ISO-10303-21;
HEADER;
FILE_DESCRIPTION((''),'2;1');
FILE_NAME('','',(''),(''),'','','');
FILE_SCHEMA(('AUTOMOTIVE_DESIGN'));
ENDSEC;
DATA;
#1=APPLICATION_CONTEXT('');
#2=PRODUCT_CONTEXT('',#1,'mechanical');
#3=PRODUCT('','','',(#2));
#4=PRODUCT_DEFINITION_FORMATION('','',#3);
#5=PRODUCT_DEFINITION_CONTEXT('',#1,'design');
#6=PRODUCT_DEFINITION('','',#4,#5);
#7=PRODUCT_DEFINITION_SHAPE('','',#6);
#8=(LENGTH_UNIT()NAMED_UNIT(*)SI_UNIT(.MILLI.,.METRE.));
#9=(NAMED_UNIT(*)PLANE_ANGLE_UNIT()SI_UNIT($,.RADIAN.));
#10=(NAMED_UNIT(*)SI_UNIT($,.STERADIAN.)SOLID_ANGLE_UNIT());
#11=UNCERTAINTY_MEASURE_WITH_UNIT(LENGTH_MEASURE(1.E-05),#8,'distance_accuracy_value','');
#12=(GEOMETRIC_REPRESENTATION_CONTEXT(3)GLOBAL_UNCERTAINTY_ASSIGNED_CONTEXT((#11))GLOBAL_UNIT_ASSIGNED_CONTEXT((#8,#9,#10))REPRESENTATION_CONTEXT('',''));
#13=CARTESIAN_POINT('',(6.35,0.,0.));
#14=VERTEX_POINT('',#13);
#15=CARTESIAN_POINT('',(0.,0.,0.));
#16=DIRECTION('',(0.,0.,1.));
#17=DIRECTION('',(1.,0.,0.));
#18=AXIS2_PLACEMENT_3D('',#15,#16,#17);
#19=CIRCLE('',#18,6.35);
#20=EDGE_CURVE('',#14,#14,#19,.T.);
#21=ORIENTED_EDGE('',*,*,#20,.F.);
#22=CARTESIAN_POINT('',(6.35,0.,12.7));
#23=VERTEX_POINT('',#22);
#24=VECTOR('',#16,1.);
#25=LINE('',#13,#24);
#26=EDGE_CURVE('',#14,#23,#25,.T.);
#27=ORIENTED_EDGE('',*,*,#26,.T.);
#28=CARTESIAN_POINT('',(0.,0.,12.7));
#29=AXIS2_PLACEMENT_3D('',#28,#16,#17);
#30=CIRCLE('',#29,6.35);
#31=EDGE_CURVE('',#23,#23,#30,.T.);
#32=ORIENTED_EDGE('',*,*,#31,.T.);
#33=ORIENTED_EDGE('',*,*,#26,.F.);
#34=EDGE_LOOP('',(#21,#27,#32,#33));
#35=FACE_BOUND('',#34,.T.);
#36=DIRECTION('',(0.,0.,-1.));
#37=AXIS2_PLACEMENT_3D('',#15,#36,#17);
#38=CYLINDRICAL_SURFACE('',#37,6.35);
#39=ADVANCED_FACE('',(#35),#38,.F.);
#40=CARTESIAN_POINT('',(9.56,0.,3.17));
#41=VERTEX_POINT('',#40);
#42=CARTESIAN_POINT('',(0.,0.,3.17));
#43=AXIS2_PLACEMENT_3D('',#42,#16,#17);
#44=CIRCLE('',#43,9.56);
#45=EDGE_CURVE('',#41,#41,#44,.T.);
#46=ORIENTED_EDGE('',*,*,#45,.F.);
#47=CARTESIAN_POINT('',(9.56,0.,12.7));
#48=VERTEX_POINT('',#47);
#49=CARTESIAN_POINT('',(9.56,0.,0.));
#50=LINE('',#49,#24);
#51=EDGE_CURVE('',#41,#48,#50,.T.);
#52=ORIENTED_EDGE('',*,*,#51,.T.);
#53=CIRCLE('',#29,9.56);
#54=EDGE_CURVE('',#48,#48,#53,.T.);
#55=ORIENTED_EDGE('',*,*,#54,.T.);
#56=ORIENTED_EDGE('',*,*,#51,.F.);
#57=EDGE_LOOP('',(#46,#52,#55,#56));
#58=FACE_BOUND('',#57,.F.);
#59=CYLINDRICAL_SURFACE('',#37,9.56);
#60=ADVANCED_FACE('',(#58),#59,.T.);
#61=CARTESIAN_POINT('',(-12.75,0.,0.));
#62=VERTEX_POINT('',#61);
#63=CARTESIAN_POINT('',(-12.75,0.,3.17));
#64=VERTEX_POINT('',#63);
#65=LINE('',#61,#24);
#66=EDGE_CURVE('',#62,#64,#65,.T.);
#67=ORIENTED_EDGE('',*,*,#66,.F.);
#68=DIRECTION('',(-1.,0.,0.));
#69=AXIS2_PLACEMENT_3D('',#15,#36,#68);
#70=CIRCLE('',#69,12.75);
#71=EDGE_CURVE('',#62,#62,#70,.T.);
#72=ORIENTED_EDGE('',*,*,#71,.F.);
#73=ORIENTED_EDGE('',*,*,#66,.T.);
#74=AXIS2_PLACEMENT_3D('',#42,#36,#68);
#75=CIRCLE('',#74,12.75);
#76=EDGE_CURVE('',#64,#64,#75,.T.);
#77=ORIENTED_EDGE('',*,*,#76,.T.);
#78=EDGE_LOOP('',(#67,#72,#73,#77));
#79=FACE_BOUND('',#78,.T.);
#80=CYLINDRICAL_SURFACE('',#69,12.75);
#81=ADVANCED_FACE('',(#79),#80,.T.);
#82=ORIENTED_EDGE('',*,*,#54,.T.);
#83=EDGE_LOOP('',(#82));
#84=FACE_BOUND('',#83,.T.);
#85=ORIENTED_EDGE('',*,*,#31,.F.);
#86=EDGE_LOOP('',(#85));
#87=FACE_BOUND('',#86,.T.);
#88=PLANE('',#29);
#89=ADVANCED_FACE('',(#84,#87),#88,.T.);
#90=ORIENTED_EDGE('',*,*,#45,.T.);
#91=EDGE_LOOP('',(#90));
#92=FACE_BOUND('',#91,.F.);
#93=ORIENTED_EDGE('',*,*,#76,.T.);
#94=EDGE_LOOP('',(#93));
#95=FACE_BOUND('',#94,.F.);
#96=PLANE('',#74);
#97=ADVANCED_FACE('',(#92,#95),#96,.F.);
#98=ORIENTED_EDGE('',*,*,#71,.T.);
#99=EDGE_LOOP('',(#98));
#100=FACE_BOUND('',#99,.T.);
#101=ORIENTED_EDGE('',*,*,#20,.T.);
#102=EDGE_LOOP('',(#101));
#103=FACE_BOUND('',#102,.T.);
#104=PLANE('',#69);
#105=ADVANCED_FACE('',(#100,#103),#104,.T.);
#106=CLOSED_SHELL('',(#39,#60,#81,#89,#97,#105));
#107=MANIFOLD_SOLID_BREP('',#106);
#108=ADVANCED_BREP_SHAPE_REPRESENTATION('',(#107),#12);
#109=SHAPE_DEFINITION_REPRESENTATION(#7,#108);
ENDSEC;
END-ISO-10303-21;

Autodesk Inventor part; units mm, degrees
ref_plane "YZ Plane" through (0, 0, 0) normal (1, 0, 0) x (0, 1, 0)
ref_plane "XZ Plane" through (0, 0, 0) normal (0, 1, 0) x (-1, 0, 0)
ref_plane "XY Plane" through (0, 0, 0) normal (0, 0, 1) x (1, 0, 0)
sketch "Sketch1" plane through (0, 0, 0) normal (0, 0, 1) x (1, 0, 0)
  circle A0 centre (0, 0) radius 9.56
  circle A1 centre (0, 0) radius 6.35
  dimension "d0" = 19.12
  dimension "d1" = 12.7
extrude "Extrusion1" add sketch "Sketch1" along normal blind 12.7
sketch "Sketch2" plane through (0, 0, 0) normal (0, 0, -1) x (-1, 0, 0)
  circle A0 centre (0, 0) radius 12.75
  circle A1 centre (0, 0) radius 9.56 projected
  dimension "d4" = 25.5
extrude "Extrusion2" add sketch "Sketch2" against normal blind 3.17
properties part number "Flange Bearing" material "ABS Plastic"
